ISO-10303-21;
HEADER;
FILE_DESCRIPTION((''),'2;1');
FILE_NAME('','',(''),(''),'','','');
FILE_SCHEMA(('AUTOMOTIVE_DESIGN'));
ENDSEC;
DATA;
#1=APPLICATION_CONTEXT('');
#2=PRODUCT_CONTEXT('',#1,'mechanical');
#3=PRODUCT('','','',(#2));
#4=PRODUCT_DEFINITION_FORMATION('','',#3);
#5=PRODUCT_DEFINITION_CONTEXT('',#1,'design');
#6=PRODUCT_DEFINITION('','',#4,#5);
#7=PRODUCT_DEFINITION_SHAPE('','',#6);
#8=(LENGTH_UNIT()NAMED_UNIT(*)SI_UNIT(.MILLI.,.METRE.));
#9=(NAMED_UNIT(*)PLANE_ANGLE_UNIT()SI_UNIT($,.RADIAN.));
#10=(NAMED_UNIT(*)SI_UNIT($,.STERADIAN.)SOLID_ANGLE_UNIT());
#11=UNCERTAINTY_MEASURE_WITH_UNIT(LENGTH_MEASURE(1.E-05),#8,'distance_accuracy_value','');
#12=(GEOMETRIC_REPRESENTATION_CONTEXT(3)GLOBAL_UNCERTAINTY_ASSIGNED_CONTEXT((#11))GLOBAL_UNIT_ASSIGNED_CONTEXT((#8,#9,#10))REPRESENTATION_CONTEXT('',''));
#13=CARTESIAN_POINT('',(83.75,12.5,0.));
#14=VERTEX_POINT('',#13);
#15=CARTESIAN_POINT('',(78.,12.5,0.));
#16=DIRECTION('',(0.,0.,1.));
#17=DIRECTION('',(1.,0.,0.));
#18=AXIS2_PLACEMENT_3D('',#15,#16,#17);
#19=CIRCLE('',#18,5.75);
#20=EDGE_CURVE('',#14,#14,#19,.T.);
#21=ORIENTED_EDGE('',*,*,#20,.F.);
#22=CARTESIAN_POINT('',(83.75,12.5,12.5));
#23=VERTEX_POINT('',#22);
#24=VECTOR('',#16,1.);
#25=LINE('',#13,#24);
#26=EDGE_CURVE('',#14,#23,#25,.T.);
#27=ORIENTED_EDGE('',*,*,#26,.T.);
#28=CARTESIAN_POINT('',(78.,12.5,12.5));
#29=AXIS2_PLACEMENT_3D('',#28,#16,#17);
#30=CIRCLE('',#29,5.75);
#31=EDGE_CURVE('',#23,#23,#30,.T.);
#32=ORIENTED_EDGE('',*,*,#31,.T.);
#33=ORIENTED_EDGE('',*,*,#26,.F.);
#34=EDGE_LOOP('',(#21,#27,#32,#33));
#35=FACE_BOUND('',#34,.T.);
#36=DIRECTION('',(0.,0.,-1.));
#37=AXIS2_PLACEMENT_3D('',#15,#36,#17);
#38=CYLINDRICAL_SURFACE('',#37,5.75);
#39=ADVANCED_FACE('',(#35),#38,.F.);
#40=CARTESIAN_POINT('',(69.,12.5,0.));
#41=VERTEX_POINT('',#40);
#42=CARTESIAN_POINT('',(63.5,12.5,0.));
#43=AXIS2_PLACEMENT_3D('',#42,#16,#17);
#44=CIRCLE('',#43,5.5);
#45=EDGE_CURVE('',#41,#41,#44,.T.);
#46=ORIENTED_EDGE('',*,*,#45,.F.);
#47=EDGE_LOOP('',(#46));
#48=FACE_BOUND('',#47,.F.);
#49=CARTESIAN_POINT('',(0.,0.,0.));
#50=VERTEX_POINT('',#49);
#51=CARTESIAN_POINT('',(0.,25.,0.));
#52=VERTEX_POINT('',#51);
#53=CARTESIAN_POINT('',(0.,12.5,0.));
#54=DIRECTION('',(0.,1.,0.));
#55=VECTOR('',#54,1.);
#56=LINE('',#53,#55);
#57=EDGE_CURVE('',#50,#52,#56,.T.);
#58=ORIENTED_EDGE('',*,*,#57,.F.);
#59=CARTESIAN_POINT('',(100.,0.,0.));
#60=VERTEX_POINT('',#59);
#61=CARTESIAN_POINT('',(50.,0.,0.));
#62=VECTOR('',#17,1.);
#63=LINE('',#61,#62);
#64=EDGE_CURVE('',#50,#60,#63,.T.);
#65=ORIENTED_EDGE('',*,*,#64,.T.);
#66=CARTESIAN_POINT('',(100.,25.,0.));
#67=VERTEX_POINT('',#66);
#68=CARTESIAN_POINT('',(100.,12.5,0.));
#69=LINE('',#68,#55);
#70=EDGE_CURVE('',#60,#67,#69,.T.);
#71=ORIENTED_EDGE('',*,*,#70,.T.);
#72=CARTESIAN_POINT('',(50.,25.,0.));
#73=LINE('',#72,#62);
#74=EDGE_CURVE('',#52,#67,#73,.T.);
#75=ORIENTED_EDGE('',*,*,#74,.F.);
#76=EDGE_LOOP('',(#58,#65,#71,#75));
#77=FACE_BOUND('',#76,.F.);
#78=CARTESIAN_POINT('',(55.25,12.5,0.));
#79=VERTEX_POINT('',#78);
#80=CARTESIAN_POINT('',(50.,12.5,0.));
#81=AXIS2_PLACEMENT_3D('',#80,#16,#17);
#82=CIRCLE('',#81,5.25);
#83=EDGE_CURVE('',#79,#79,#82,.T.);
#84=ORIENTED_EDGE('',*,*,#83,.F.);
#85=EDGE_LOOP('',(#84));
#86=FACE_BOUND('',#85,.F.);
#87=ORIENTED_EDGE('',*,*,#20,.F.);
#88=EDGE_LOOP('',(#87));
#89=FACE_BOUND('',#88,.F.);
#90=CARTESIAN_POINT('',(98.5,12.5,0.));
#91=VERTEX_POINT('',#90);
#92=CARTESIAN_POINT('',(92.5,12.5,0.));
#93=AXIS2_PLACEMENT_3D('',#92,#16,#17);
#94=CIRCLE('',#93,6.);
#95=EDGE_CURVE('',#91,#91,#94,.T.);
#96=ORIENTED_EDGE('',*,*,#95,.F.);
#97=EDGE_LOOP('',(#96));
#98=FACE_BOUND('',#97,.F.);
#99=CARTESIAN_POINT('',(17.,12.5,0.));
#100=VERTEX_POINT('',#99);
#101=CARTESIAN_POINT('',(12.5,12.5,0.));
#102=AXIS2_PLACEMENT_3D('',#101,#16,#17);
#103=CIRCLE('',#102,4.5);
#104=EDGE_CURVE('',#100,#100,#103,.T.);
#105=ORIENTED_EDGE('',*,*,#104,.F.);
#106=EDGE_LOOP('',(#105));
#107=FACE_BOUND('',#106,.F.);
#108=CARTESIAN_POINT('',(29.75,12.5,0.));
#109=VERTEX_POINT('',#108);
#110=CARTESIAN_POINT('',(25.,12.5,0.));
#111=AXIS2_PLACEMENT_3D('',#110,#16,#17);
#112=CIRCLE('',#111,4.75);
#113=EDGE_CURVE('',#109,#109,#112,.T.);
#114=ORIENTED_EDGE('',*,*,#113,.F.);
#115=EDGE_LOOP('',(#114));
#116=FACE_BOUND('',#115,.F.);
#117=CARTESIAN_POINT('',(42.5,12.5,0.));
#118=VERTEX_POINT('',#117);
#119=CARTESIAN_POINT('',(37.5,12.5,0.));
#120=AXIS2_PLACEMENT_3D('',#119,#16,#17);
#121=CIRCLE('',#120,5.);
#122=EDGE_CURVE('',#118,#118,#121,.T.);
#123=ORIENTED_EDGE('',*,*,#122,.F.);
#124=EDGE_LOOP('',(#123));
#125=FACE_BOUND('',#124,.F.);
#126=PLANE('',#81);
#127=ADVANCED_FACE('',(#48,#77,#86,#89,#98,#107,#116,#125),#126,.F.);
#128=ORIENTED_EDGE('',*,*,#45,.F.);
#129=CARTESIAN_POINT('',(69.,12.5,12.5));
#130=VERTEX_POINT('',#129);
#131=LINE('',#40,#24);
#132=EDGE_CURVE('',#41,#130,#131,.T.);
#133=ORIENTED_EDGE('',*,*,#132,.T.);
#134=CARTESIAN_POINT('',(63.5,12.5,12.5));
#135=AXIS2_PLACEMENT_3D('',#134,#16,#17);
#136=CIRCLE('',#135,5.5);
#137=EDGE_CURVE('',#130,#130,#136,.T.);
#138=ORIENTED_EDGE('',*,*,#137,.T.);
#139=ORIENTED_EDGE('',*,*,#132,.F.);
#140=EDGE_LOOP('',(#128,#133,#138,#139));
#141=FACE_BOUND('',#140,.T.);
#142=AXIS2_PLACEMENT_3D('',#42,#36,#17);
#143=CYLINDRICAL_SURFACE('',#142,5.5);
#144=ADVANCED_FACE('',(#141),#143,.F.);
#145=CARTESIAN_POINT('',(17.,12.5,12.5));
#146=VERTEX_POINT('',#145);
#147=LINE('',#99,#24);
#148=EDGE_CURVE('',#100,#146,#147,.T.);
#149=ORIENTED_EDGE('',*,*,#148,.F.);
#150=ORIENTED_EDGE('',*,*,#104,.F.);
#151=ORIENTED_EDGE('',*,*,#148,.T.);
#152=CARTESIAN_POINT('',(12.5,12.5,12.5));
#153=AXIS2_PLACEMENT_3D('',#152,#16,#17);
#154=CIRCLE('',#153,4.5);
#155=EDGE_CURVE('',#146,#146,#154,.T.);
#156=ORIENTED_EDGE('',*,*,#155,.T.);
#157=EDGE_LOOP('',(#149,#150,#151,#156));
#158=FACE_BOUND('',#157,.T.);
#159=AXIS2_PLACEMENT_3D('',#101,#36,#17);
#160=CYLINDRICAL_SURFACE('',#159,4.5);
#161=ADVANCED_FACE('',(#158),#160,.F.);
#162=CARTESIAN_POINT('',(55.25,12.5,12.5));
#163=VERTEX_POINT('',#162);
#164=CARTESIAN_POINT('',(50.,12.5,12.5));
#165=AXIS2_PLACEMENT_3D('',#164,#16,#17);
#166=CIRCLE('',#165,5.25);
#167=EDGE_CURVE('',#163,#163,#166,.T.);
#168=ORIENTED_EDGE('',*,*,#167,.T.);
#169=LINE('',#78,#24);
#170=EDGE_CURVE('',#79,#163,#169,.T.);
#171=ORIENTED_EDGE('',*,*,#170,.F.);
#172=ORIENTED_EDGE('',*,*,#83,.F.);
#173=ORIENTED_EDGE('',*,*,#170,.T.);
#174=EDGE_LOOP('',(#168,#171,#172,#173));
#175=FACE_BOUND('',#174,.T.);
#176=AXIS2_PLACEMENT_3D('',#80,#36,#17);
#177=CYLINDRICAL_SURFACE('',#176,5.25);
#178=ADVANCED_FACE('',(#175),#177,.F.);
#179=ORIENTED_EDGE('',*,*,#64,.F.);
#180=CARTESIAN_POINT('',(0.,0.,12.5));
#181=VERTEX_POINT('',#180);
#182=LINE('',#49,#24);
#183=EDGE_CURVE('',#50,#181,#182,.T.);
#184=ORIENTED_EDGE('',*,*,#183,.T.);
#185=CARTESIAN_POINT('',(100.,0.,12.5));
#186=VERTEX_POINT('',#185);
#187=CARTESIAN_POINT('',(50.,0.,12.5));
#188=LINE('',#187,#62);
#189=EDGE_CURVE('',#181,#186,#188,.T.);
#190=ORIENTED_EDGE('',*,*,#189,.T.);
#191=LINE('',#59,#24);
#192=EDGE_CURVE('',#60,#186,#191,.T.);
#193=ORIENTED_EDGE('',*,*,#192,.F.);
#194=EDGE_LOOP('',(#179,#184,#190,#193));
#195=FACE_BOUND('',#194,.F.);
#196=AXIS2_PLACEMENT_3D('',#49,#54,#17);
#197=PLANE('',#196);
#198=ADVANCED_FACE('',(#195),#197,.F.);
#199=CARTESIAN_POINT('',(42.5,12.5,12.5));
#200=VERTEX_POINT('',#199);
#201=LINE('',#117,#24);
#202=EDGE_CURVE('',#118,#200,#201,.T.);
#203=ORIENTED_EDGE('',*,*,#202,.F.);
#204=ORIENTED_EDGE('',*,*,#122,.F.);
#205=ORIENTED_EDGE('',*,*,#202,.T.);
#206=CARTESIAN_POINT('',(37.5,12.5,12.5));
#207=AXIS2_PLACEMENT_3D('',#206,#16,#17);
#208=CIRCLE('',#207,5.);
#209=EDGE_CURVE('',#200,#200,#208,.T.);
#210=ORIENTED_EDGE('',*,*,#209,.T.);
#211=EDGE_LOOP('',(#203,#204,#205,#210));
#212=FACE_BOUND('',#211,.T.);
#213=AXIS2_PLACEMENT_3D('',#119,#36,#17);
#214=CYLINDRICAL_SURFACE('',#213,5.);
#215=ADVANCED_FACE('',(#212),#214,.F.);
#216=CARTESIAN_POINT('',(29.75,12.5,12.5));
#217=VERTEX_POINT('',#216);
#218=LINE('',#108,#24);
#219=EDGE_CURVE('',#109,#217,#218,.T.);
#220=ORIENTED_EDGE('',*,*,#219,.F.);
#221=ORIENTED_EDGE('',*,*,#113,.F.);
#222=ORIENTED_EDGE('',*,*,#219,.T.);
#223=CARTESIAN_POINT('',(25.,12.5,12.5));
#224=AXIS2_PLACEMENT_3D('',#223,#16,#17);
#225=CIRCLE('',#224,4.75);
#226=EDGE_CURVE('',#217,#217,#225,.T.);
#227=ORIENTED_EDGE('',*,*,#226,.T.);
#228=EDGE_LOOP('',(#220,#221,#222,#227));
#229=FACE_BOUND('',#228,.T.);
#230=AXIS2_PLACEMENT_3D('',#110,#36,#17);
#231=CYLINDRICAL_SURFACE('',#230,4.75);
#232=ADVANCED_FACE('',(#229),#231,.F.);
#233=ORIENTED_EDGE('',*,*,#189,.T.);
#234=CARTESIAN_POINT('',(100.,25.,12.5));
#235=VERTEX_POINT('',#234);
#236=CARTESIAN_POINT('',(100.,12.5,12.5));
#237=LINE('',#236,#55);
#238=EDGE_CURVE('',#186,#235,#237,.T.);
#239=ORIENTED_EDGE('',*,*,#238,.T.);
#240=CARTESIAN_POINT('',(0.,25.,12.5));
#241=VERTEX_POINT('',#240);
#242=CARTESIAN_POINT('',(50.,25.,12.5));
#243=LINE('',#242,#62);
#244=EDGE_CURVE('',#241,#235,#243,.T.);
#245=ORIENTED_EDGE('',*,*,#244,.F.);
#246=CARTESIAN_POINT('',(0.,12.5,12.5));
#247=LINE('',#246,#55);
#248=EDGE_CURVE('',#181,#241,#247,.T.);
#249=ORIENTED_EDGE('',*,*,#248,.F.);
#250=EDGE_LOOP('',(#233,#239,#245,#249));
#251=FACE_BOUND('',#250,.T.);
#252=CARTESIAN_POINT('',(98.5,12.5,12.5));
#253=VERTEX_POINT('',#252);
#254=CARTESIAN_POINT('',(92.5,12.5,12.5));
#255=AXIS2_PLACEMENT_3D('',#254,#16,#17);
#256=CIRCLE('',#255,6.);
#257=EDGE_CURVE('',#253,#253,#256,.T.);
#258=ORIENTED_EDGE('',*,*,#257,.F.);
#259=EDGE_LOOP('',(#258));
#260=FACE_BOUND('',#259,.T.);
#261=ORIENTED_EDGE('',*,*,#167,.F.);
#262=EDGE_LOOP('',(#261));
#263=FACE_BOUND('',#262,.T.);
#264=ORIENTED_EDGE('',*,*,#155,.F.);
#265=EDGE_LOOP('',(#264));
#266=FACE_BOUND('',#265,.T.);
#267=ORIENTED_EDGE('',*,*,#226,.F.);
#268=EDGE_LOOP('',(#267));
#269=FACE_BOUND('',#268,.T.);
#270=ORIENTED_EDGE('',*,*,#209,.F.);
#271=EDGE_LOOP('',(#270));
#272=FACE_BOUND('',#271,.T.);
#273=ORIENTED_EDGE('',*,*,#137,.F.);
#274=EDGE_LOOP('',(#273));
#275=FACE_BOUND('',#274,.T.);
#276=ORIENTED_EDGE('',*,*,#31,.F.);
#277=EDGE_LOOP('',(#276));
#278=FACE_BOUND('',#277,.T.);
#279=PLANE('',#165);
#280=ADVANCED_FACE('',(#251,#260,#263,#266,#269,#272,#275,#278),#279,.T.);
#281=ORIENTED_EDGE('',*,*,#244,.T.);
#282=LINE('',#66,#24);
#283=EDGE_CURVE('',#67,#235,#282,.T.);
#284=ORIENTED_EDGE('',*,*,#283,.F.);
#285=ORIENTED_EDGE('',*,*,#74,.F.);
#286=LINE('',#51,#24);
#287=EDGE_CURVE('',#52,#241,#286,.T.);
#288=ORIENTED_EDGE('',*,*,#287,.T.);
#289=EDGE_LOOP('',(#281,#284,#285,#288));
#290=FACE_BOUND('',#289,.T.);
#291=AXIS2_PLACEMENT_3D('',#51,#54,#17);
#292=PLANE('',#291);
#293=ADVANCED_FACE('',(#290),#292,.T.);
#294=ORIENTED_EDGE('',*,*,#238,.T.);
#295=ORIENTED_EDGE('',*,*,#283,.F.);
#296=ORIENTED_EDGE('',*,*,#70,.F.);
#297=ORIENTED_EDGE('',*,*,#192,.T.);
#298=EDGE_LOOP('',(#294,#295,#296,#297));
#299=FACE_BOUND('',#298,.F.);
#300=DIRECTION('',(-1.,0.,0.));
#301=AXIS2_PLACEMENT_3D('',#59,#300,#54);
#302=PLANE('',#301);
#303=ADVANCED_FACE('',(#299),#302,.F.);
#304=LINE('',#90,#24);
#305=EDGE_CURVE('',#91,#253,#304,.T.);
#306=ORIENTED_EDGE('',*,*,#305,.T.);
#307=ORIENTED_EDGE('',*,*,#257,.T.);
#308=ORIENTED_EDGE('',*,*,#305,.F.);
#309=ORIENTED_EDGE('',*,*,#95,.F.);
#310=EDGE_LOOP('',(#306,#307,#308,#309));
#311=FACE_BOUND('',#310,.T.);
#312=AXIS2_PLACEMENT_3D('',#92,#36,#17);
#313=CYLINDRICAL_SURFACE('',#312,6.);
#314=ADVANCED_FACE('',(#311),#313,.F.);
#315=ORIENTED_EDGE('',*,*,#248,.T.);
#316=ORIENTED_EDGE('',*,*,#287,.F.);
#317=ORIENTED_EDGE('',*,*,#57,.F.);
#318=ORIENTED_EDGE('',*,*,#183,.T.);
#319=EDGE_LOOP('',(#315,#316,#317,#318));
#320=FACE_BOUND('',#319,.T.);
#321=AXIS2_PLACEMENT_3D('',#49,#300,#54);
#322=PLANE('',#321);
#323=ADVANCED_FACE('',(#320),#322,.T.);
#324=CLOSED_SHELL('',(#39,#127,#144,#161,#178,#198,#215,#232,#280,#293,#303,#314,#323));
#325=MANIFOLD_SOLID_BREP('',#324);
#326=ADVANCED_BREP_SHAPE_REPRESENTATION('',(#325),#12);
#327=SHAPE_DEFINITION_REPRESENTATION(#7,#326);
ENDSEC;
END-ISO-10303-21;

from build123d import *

# Parameters (mm, degrees)
F0_W     = 100
F0_H     = 25
F0_R     = 4.5
F0_R_2   = 4.75
F0_R_3   = 5
F0_R_4   = 5.25
F0_R_5   = 5.5
F0_R_6   = 5.75
F0_R_7   = 6
F1_DEPTH = 12.5


with BuildPart() as f1:
    # F0 (on Top) → F1 (new body)
    with BuildSketch(Plane.XY):
        with Locations((50, 12.5)):
            Rectangle(F0_W, F0_H)
        with Locations((12.5, 12.5)):
            Circle(F0_R, mode=Mode.SUBTRACT)
        with Locations((25, 12.5)):
            Circle(F0_R_2, mode=Mode.SUBTRACT)
        with Locations((37.5, 12.5)):
            Circle(F0_R_3, mode=Mode.SUBTRACT)
        with Locations((50, 12.5)):
            Circle(F0_R_4, mode=Mode.SUBTRACT)
        with Locations((63.5, 12.5)):
            Circle(F0_R_5, mode=Mode.SUBTRACT)
        with Locations((78, 12.5)):
            Circle(F0_R_6, mode=Mode.SUBTRACT)
        with Locations((92.5, 12.5)):
            Circle(F0_R_7, mode=Mode.SUBTRACT)
    extrude(amount=F1_DEPTH)


solid = f1.part
